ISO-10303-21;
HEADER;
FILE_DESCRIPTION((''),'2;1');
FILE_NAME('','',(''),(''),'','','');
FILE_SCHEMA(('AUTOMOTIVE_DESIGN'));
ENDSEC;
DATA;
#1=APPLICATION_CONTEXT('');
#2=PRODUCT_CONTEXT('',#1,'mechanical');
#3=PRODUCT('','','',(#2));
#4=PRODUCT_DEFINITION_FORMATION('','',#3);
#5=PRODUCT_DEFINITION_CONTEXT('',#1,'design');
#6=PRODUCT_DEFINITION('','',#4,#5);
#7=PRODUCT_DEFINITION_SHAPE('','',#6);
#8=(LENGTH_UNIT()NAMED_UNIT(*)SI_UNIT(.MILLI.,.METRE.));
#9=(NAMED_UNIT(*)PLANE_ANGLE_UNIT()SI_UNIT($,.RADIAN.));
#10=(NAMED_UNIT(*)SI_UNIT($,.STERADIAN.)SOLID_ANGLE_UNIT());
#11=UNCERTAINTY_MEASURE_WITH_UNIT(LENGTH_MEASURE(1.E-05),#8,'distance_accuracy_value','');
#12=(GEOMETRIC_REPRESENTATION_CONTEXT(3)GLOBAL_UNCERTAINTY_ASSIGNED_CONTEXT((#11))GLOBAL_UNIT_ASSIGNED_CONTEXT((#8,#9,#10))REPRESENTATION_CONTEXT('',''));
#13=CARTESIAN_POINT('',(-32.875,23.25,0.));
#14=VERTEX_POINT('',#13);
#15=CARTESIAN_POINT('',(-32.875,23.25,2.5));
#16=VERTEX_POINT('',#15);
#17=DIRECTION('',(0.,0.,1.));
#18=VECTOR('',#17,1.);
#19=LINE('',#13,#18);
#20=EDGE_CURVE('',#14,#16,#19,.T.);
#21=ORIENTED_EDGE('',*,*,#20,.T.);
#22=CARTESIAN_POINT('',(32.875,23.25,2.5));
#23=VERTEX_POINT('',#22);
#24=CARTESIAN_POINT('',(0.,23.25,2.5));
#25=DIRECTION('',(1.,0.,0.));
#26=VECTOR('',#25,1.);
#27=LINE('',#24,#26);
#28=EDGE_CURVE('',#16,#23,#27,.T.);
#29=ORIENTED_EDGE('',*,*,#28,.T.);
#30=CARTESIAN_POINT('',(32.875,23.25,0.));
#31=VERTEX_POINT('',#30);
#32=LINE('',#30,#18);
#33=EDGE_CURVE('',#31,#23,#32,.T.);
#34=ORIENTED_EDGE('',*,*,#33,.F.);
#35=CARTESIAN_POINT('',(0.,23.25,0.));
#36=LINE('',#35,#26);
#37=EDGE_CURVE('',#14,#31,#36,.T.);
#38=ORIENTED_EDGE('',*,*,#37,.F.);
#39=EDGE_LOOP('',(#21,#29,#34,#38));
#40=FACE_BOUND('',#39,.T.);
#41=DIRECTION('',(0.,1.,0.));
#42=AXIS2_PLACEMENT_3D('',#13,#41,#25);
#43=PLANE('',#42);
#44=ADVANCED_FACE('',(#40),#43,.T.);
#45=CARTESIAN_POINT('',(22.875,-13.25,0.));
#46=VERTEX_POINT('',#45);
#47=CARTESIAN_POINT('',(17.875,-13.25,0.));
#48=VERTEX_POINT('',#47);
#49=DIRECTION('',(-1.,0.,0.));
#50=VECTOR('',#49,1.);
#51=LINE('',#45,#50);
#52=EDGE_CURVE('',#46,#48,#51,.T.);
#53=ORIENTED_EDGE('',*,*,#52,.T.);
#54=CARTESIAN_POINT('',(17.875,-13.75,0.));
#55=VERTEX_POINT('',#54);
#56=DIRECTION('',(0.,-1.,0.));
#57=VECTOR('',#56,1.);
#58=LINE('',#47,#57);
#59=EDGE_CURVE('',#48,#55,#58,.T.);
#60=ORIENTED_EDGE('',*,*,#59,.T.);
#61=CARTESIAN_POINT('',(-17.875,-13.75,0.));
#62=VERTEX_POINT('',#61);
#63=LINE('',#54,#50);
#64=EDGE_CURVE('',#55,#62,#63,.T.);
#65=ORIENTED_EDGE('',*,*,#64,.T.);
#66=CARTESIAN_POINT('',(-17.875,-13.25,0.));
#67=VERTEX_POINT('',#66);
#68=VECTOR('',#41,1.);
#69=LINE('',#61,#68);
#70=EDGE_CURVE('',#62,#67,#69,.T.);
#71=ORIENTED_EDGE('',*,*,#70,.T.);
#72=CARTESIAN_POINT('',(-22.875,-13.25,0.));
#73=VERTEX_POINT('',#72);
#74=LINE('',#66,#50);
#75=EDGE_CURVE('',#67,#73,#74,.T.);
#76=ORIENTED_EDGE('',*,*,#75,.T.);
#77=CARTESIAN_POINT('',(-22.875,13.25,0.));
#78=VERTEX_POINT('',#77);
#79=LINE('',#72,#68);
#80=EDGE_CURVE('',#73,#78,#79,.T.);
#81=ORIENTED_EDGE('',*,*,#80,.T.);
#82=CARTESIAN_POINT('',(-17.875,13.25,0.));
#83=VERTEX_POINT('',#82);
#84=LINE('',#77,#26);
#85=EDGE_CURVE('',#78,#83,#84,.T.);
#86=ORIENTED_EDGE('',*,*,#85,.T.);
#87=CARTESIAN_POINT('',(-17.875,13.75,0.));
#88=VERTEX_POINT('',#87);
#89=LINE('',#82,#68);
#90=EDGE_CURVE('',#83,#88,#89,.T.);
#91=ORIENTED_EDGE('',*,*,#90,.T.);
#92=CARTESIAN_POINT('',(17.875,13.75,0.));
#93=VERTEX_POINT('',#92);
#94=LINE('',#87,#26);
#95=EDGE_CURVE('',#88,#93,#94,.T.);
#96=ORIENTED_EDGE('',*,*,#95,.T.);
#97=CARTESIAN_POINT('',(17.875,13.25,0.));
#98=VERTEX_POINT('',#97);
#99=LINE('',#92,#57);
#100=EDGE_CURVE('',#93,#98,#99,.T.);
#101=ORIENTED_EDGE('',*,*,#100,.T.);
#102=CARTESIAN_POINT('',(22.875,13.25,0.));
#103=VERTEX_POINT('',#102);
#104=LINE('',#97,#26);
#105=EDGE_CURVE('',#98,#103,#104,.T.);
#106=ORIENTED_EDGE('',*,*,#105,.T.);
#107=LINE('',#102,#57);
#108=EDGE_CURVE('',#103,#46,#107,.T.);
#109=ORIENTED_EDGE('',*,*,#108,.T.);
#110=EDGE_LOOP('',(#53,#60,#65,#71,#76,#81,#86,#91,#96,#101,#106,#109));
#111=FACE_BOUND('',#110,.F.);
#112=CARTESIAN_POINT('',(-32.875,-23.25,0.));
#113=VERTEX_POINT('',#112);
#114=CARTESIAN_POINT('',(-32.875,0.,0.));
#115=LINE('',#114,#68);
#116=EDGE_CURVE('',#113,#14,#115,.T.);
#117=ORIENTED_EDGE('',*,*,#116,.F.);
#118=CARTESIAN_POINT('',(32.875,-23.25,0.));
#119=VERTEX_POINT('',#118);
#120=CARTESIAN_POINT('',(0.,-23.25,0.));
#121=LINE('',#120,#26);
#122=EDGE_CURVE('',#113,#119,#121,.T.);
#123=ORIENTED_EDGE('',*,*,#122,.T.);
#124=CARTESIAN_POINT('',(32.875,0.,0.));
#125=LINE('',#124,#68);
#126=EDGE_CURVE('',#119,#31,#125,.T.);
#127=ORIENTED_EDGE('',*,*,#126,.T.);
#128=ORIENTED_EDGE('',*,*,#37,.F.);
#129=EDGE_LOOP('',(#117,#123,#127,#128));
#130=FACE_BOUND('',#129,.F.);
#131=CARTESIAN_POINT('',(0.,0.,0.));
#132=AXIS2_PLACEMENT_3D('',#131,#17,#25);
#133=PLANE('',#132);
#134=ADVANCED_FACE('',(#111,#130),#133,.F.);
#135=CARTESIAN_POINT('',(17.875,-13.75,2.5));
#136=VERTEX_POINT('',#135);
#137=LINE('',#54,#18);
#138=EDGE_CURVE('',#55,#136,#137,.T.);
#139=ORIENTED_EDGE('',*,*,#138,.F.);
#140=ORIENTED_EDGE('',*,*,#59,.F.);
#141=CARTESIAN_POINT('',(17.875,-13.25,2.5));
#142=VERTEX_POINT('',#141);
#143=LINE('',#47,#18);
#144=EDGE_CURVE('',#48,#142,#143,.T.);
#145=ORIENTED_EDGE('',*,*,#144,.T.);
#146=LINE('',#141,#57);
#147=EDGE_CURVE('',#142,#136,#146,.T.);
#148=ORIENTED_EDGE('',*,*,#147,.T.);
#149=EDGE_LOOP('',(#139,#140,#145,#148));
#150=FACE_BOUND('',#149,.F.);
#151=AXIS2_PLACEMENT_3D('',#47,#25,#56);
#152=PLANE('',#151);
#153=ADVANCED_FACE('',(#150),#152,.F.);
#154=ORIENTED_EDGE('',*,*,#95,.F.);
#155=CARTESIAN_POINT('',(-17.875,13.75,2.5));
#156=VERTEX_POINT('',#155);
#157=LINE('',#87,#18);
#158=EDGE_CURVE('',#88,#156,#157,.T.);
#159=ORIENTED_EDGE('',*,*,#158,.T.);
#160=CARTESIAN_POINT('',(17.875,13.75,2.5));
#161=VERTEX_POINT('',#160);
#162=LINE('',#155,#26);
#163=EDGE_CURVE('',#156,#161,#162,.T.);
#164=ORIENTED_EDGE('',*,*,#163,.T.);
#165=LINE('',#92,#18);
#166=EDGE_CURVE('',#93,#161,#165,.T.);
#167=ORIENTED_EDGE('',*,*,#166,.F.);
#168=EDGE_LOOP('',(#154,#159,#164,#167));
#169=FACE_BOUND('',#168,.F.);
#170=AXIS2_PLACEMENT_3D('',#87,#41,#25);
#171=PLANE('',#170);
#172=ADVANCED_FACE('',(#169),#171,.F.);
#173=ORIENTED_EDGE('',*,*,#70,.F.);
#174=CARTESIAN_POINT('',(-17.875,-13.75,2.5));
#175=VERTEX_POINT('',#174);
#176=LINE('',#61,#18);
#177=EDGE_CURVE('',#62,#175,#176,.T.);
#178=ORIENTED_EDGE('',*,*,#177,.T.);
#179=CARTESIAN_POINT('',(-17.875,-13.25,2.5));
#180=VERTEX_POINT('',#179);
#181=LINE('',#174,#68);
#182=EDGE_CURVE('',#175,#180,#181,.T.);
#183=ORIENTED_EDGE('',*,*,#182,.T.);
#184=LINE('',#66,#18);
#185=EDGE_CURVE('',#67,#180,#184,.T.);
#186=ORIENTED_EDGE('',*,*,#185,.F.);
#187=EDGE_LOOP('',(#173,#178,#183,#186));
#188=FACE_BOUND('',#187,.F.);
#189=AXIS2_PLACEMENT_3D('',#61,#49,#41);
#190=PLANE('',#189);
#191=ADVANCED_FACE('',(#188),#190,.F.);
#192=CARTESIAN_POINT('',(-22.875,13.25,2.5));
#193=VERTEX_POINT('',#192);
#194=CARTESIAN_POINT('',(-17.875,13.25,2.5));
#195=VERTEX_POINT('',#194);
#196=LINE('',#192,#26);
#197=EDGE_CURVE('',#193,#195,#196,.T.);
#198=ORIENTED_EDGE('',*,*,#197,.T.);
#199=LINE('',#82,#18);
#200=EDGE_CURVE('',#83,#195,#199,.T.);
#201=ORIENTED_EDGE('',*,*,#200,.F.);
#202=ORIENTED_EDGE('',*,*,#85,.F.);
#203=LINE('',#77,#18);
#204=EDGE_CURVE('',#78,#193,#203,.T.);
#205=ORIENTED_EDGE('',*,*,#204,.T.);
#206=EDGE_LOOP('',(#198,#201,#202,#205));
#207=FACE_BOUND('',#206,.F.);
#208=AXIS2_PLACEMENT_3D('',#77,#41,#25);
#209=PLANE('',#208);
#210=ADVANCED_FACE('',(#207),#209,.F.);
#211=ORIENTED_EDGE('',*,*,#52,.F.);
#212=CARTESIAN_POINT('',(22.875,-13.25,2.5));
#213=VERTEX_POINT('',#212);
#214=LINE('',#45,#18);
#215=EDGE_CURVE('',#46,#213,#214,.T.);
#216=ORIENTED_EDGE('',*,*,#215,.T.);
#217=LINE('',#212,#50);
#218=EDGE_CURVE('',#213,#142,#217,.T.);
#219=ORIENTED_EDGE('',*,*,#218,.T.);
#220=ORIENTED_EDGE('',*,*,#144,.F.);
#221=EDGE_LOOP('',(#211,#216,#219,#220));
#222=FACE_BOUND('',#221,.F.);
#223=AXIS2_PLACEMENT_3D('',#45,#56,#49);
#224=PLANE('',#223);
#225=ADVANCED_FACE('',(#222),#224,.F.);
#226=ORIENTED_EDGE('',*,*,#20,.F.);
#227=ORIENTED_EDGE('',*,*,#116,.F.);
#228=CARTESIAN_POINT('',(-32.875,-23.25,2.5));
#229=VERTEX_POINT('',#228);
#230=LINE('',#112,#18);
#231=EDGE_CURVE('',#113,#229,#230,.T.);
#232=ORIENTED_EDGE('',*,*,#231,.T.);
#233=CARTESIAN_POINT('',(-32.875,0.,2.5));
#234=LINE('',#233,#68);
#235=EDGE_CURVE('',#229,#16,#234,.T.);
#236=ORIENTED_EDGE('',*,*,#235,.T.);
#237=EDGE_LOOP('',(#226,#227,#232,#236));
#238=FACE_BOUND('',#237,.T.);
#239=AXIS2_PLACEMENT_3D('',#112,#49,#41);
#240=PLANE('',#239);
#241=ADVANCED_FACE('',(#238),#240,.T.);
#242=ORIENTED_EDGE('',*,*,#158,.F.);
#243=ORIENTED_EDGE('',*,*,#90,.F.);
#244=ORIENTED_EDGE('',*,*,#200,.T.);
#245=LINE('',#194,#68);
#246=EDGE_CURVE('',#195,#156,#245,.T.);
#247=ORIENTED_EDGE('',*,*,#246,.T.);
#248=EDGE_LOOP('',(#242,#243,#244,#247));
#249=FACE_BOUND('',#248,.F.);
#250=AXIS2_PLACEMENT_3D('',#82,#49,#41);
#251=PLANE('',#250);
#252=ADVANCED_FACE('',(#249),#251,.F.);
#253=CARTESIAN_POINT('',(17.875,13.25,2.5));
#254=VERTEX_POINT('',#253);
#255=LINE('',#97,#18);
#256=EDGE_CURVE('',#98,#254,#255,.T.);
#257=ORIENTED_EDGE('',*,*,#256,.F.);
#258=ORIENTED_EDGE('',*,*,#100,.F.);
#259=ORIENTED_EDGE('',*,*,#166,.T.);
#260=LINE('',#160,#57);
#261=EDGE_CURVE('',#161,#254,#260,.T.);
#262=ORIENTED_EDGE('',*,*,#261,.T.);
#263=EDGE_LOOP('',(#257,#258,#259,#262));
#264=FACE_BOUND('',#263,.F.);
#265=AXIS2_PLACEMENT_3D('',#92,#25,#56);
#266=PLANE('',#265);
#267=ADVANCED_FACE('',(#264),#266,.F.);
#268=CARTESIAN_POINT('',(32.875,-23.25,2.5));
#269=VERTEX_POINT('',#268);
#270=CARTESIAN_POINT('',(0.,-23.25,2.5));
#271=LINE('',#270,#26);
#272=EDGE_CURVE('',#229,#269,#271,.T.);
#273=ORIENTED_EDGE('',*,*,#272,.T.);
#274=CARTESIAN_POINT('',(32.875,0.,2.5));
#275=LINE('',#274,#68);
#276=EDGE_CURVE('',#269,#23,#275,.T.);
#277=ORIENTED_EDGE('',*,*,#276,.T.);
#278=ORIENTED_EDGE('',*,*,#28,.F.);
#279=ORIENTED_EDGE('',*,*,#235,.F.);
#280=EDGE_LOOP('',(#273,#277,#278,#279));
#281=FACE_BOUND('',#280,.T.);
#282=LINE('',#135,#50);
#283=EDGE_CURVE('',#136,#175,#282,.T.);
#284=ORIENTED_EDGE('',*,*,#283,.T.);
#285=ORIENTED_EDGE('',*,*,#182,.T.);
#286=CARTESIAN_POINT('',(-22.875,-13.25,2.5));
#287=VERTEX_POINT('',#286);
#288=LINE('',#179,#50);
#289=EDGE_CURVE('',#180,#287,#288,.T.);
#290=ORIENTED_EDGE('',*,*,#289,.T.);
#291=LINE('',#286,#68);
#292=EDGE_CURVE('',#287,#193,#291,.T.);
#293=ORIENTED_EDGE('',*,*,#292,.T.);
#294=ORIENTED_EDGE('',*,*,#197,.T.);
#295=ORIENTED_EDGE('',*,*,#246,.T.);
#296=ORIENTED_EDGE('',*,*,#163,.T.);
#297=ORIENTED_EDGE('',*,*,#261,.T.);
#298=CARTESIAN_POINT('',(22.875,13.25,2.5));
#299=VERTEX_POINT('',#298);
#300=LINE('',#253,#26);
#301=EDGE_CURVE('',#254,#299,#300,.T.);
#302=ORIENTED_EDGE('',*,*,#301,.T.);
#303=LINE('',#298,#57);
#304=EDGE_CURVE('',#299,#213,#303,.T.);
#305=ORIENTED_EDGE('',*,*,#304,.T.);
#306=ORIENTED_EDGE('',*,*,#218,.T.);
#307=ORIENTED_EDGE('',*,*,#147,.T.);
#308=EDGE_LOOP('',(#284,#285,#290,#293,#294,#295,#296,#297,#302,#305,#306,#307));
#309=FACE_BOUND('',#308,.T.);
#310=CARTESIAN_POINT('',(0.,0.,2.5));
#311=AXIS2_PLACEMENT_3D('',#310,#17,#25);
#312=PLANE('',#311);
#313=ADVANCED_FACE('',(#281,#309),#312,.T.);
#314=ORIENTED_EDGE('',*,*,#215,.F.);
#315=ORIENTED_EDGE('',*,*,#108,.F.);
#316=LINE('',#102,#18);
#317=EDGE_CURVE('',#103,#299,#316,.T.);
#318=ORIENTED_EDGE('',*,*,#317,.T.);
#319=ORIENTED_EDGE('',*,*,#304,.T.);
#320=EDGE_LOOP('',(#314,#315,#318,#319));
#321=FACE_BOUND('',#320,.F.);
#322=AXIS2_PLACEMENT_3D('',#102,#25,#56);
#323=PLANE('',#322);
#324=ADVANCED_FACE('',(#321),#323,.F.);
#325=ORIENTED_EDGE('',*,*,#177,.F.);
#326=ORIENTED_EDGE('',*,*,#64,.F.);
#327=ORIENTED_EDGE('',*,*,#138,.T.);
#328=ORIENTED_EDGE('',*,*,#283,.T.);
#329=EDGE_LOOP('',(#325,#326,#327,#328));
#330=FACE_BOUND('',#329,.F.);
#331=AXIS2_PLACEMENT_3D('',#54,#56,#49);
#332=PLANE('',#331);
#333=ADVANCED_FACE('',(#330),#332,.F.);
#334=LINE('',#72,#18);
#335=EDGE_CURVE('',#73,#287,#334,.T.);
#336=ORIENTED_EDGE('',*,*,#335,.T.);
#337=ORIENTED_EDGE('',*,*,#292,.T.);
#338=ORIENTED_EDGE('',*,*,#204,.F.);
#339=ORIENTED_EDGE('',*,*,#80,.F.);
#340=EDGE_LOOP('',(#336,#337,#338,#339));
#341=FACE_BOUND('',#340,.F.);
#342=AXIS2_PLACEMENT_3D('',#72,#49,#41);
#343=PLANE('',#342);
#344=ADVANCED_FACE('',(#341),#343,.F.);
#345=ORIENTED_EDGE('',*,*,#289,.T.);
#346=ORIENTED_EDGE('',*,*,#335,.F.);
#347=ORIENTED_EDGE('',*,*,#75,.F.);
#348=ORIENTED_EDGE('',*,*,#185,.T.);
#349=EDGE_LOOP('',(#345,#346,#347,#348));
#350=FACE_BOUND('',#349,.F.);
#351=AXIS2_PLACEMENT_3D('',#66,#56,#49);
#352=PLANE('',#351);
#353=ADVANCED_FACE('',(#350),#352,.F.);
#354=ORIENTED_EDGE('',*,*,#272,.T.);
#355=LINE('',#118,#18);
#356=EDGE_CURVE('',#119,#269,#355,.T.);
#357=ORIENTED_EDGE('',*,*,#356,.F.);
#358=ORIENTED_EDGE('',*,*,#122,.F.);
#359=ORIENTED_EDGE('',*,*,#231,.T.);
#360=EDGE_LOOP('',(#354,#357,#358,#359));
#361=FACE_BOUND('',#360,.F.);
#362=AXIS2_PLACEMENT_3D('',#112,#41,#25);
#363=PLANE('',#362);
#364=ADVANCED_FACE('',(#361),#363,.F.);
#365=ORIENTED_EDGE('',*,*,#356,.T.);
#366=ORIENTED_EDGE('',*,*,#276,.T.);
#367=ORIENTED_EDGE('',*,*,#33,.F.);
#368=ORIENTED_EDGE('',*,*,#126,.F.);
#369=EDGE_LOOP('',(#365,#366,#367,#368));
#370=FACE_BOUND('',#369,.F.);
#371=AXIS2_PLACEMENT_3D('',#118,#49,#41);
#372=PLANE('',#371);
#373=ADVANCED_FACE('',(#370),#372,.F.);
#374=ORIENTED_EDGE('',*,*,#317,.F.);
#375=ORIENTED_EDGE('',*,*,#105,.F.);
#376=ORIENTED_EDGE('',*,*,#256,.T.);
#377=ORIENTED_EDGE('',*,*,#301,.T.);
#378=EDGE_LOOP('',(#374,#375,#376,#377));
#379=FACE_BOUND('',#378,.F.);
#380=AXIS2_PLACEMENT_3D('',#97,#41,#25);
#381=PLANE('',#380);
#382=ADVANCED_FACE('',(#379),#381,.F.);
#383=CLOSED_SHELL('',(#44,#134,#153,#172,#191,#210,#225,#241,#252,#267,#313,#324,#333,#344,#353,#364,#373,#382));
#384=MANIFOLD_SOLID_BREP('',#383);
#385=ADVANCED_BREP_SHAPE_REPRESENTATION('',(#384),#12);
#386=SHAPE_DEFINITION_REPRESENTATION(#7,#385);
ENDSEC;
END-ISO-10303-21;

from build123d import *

# Parameters (mm, degrees)
SKETCH_W  = 65.75
SKETCH_H  = 46.5
PAD_DEPTH = 2.5


with BuildPart() as part:
    # Sketch → Pad (new body)
    with BuildSketch(Plane.XY):
        Rectangle(SKETCH_W, SKETCH_H)
        Polygon((-22.875, 13.25), (-17.875, 13.25), (-17.875, 13.75), (17.875, 13.75), (17.875, 13.25), (22.875, 13.25), (22.875, -13.25), (17.875, -13.25), (17.875, -13.75), (-17.875, -13.75), (-17.875, -13.25), (-22.875, -13.25), align=None, mode=Mode.SUBTRACT)
    extrude(amount=PAD_DEPTH)


solid = part.part
